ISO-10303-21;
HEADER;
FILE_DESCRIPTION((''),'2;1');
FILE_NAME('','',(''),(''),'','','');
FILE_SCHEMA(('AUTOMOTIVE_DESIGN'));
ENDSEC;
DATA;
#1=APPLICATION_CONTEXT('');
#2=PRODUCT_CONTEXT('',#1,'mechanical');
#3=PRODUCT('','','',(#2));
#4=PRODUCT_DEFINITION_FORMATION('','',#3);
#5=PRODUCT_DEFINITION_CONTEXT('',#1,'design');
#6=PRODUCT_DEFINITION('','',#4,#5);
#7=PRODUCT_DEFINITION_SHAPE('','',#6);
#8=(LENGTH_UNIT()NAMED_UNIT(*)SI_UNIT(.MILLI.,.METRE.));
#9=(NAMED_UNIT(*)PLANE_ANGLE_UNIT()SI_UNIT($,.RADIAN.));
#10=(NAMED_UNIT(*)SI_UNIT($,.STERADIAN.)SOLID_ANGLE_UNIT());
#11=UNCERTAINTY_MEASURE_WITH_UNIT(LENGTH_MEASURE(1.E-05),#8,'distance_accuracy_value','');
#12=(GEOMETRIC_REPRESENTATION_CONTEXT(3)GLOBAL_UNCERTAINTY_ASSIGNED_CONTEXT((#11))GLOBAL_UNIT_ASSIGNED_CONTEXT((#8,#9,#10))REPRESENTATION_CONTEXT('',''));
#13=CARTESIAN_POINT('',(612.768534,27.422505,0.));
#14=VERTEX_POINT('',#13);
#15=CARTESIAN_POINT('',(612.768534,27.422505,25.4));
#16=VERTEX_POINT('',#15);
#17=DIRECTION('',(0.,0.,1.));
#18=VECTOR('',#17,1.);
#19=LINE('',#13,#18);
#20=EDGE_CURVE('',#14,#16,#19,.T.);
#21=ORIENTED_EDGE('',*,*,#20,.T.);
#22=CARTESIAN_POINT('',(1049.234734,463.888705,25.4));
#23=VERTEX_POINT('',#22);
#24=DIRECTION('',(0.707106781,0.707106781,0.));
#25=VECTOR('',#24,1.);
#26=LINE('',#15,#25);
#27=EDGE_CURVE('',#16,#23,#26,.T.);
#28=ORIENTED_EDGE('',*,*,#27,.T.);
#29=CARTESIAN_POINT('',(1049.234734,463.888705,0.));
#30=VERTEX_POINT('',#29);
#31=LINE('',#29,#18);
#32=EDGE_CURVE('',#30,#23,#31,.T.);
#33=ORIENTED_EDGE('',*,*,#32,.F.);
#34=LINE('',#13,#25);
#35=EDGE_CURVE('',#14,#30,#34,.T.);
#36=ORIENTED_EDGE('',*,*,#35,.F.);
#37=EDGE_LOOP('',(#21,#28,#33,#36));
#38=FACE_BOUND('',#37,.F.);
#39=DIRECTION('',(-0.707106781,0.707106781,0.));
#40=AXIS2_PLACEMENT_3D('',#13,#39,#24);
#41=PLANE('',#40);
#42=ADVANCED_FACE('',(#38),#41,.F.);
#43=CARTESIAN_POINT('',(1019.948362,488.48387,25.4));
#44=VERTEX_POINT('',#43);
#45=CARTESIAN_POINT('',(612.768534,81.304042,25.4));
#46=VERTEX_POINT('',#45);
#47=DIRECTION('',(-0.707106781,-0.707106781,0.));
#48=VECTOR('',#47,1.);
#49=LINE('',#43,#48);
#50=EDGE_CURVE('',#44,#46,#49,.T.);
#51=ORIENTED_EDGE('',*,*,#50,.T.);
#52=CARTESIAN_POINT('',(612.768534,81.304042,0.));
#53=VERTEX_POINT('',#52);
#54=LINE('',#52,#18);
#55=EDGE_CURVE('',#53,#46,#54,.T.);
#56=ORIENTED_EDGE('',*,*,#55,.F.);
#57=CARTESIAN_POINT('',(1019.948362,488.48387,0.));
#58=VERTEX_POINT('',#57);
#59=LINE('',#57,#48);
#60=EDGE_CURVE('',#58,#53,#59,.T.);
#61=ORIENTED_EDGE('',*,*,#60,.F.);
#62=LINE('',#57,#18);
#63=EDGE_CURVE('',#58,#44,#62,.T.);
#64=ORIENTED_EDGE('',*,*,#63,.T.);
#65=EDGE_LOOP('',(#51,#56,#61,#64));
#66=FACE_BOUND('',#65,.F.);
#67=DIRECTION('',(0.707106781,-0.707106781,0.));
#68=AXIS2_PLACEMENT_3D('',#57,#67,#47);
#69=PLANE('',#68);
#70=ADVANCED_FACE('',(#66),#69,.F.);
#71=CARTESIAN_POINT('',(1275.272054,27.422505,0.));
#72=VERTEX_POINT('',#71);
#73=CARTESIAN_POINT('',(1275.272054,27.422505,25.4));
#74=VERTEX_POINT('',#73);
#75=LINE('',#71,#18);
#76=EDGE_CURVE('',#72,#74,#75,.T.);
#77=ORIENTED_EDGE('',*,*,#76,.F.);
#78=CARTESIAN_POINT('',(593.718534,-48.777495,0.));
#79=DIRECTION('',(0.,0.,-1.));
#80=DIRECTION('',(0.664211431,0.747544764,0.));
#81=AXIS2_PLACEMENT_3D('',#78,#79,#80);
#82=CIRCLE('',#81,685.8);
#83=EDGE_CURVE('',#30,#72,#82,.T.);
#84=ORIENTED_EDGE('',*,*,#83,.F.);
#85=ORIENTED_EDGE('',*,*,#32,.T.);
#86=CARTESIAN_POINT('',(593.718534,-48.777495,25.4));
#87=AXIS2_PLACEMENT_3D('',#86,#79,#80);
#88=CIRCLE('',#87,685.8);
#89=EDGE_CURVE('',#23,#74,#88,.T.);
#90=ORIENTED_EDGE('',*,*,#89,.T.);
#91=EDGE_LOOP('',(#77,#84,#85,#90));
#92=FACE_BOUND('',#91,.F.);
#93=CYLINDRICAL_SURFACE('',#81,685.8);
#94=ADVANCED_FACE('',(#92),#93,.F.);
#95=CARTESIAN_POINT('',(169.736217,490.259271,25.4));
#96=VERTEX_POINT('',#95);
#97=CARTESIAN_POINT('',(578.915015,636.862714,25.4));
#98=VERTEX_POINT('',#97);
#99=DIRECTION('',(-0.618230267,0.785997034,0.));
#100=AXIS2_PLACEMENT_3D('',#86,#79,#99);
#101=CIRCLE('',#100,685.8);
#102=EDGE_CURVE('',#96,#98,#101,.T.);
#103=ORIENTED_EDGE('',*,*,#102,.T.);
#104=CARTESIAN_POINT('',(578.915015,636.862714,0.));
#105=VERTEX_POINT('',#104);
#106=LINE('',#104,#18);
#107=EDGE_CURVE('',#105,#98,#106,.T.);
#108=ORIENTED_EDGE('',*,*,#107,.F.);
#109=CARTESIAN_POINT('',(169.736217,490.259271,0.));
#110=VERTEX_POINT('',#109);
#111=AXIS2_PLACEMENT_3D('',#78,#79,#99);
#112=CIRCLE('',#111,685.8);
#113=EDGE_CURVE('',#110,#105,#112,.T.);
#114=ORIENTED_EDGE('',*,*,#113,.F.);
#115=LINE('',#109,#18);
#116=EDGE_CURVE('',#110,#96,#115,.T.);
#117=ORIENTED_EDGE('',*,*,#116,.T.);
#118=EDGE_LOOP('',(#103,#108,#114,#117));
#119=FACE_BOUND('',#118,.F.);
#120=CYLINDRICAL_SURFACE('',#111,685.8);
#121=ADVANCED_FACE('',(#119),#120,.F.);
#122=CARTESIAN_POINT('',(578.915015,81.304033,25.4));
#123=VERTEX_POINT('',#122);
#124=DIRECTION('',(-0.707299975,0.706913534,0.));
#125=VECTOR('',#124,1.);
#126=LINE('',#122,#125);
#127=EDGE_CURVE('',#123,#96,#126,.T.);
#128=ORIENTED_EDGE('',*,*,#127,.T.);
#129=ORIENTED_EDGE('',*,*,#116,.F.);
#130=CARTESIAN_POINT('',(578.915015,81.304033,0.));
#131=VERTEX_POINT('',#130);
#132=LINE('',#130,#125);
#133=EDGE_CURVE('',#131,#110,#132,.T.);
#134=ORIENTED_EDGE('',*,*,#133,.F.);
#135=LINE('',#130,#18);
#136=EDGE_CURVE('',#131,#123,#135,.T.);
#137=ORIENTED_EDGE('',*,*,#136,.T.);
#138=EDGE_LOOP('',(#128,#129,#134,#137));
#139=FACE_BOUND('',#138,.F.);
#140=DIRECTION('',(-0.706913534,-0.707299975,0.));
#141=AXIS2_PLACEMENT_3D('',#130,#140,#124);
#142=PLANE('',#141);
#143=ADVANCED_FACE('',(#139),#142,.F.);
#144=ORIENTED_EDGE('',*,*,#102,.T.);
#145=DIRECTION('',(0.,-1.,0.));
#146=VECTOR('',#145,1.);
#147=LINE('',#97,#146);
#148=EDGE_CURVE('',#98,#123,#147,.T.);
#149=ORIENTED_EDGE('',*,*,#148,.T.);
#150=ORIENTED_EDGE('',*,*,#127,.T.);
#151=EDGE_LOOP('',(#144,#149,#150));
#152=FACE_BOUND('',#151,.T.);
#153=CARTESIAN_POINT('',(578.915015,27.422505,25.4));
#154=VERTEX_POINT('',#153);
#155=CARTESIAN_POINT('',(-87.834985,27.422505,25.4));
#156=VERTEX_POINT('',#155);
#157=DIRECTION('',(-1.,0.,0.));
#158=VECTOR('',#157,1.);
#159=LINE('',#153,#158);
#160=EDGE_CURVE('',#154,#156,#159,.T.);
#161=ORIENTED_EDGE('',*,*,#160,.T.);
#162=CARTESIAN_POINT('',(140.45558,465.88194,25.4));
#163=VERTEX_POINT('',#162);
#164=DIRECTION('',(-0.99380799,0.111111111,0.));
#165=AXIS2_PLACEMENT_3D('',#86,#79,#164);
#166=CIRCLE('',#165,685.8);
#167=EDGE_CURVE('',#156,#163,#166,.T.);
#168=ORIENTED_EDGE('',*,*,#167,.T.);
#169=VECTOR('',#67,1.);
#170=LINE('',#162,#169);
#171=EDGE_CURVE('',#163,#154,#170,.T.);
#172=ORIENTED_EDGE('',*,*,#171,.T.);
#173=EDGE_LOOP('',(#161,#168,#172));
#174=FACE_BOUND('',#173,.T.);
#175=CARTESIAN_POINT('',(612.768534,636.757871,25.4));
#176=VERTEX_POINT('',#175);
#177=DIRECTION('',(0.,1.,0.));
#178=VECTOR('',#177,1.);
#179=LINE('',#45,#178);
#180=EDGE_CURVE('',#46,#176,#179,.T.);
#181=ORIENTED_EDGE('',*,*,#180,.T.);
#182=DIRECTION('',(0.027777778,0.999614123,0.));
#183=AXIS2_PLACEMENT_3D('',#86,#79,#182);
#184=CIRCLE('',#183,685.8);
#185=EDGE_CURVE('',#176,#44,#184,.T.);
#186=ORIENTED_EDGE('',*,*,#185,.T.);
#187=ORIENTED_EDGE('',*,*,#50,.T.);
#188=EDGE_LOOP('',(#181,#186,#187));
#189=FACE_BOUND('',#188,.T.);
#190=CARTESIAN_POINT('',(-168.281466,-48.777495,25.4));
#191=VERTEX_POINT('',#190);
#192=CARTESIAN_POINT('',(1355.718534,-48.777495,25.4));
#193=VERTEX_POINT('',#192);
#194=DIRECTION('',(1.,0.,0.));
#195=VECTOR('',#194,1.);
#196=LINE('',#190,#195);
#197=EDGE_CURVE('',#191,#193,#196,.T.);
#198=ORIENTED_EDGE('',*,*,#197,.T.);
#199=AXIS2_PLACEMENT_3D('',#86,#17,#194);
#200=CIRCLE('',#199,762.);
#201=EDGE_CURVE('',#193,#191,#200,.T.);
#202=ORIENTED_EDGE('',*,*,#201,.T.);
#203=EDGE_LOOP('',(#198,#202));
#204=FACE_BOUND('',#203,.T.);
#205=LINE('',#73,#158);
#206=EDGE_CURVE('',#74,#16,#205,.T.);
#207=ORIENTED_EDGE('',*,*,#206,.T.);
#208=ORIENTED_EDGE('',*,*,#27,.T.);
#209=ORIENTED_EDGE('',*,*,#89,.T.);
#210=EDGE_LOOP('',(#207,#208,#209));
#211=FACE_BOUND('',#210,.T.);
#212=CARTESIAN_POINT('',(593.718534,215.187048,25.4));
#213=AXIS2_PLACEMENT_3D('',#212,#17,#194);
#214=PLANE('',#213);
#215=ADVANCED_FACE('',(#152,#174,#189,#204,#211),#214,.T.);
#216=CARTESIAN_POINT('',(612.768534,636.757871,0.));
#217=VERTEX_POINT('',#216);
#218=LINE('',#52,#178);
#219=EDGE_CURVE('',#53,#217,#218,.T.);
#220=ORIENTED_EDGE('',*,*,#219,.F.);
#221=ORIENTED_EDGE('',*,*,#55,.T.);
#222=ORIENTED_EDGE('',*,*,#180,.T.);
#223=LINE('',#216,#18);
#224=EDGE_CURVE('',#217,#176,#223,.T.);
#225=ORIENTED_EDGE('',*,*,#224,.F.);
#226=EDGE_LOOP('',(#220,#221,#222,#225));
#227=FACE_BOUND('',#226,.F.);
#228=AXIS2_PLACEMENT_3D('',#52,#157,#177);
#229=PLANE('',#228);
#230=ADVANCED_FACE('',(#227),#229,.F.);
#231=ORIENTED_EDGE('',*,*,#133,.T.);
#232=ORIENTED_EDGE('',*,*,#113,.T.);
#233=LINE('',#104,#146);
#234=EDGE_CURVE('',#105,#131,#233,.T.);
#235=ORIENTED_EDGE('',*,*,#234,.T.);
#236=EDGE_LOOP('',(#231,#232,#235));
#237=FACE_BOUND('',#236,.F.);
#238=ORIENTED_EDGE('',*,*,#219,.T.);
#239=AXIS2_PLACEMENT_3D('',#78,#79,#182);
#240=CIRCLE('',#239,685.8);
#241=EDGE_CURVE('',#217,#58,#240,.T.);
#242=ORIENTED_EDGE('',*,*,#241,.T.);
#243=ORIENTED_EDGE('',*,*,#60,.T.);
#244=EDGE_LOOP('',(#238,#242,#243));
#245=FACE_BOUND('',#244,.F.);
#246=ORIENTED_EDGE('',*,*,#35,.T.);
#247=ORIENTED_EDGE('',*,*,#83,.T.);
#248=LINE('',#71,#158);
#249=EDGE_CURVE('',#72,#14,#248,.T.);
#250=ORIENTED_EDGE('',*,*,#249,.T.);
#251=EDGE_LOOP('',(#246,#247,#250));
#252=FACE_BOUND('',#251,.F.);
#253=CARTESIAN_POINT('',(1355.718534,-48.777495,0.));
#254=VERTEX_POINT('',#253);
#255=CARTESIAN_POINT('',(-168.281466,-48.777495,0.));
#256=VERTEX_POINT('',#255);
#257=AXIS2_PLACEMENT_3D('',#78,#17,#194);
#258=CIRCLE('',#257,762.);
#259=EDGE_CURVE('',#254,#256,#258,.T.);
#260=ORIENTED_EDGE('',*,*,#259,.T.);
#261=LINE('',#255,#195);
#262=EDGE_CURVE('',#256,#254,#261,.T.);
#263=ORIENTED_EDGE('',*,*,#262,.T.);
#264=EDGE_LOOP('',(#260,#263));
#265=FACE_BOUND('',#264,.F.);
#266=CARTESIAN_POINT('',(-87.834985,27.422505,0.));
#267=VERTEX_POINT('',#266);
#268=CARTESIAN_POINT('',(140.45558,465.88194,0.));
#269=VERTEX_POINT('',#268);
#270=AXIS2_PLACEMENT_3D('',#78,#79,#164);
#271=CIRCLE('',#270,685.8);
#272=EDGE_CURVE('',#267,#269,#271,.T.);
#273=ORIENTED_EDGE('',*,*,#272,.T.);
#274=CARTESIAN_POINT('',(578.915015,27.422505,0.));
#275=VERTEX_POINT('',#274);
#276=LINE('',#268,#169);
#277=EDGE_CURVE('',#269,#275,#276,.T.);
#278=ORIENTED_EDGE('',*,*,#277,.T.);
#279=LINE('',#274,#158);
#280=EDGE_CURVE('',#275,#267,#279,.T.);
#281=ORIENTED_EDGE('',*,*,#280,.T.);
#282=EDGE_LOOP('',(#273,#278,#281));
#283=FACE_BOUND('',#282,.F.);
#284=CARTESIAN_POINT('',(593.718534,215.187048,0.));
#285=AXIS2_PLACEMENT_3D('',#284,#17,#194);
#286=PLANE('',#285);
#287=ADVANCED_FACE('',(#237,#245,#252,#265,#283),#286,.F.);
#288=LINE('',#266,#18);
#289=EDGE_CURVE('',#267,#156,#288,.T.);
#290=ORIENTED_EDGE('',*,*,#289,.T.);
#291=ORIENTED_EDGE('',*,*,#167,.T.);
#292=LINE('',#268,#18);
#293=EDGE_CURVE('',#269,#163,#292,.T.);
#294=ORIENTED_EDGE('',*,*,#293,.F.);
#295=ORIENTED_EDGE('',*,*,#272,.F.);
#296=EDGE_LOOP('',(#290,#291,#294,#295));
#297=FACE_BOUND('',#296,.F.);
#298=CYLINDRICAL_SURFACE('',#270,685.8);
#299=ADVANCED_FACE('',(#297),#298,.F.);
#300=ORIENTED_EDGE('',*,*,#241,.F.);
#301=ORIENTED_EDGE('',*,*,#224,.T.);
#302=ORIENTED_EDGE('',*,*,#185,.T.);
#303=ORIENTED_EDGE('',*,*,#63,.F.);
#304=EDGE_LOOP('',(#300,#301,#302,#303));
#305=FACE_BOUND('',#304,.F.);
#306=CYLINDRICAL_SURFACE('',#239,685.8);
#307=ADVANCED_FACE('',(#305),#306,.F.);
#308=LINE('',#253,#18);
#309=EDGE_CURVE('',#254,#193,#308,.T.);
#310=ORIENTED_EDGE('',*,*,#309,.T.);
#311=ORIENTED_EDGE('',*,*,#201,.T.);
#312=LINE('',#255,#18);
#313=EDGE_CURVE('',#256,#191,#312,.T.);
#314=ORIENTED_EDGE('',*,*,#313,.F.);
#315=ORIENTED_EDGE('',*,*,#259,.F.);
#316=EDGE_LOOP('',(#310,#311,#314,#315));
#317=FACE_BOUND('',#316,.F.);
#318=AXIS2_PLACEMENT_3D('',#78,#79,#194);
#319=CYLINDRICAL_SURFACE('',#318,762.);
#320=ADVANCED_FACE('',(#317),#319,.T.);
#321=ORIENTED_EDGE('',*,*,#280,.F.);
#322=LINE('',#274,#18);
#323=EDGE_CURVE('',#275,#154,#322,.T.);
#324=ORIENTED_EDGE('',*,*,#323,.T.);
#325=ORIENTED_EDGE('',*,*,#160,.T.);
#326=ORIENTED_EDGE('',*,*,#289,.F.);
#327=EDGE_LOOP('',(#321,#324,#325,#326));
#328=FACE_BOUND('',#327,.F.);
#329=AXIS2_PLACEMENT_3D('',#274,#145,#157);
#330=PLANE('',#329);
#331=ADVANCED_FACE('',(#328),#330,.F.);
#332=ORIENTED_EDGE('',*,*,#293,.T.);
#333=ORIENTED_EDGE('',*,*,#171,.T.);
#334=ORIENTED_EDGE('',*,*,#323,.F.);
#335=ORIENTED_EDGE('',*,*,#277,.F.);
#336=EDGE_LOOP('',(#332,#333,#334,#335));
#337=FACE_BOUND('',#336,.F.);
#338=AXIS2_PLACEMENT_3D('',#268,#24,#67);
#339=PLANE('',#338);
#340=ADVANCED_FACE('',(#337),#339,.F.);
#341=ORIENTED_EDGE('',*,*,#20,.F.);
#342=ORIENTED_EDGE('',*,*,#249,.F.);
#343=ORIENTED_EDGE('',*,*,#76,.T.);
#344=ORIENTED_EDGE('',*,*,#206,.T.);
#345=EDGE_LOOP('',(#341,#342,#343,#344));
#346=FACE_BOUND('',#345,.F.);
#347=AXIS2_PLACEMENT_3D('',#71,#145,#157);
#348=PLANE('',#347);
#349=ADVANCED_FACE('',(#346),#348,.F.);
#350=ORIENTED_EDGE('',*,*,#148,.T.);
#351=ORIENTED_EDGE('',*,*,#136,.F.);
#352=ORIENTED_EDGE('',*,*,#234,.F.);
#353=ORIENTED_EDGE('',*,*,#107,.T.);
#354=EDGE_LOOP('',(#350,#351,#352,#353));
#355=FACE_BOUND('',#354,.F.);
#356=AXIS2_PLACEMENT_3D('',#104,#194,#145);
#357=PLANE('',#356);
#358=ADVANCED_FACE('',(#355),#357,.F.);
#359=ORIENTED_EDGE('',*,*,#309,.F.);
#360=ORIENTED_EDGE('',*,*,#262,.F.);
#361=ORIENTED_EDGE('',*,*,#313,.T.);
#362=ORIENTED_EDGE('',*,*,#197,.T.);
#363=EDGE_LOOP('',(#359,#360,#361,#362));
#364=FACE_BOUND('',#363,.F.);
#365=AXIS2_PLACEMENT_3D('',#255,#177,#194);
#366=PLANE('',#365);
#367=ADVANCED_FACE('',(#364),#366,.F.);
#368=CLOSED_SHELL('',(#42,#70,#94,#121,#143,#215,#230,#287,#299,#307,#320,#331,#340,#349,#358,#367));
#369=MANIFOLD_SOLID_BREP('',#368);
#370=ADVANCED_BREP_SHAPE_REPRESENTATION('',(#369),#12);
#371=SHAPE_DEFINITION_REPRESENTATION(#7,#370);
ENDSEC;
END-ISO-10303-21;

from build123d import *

# Parameters (mm, degrees)
F1_DEPTH = 25.4


with BuildPart() as f1:
    # F0 (on Top) → F1 (new body)
    with BuildSketch(Plane.XY):
        with BuildLine():
            ThreePointArc((593.7185342312, 713.2225054204), (54.903166967, 490.0378726846), (-168.2814657688, -48.7774945796))
            Line((-168.2814657688, -48.7774945796), (593.7185342312, -48.7774945796))
            Line((593.7185342312, -48.7774945796), (1355.7185342312, -48.7774945796))
            ThreePointArc((1355.7185342312, -48.7774945796), (1132.5339014953, 490.0378726846), (593.7185342312, 713.2225054204))
        make_face()
        with BuildLine():
            Line((578.9150146893, 27.4225054204), (558.8869975048, 27.4225054204))
            Line((558.8869975048, 27.4225054204), (-87.8349853107, 27.4225054204))
            ThreePointArc((-87.8349853108, 27.4225054204), (-14.5690429068, 267.9366722959), (140.4555796865, 465.8819404232))
            Line((140.4555796865, 465.8819404232), (578.9150146893, 27.4225054204))
        make_face(mode=Mode.SUBTRACT)
        with BuildLine():
            ThreePointArc((1049.2347336709, 463.8887048602), (1202.6992993376, 266.6017497128), (1275.2720537731, 27.4225054204))
            Line((1275.2720537731, 27.4225054204), (612.7685342312, 27.4225054204))
            Line((612.7685342312, 27.4225054204), (1049.2347336709, 463.8887048602))
        make_face(mode=Mode.SUBTRACT)
        with BuildLine():
            Line((578.9150146893, 636.8627141372), (578.9150146893, 81.3040334204))
            Line((578.9150146893, 81.3040334204), (386.5735172011, 273.5404429351))
            Line((386.5735172011, 273.5404429351), (169.7362173216, 490.2592712796))
            ThreePointArc((169.7362173216, 490.2592712796), (362.4040406687, 596.8348078651), (578.9150146893, 636.8627141372))
        make_face(mode=Mode.SUBTRACT)
        with BuildLine():
            Line((1019.9483620731, 488.4838699888), (917.7654260406, 386.3009339562))
            Line((917.7654260406, 386.3009339562), (612.7685342312, 81.3040421469))
            Line((612.7685342312, 81.3040421469), (612.7685342312, 636.757871029))
            ThreePointArc((612.7685342312, 636.757871029), (828.3774912664, 595.6267371595), (1019.9483620731, 488.4838699888))
        make_face(mode=Mode.SUBTRACT)
    extrude(amount=F1_DEPTH)


solid = f1.part
